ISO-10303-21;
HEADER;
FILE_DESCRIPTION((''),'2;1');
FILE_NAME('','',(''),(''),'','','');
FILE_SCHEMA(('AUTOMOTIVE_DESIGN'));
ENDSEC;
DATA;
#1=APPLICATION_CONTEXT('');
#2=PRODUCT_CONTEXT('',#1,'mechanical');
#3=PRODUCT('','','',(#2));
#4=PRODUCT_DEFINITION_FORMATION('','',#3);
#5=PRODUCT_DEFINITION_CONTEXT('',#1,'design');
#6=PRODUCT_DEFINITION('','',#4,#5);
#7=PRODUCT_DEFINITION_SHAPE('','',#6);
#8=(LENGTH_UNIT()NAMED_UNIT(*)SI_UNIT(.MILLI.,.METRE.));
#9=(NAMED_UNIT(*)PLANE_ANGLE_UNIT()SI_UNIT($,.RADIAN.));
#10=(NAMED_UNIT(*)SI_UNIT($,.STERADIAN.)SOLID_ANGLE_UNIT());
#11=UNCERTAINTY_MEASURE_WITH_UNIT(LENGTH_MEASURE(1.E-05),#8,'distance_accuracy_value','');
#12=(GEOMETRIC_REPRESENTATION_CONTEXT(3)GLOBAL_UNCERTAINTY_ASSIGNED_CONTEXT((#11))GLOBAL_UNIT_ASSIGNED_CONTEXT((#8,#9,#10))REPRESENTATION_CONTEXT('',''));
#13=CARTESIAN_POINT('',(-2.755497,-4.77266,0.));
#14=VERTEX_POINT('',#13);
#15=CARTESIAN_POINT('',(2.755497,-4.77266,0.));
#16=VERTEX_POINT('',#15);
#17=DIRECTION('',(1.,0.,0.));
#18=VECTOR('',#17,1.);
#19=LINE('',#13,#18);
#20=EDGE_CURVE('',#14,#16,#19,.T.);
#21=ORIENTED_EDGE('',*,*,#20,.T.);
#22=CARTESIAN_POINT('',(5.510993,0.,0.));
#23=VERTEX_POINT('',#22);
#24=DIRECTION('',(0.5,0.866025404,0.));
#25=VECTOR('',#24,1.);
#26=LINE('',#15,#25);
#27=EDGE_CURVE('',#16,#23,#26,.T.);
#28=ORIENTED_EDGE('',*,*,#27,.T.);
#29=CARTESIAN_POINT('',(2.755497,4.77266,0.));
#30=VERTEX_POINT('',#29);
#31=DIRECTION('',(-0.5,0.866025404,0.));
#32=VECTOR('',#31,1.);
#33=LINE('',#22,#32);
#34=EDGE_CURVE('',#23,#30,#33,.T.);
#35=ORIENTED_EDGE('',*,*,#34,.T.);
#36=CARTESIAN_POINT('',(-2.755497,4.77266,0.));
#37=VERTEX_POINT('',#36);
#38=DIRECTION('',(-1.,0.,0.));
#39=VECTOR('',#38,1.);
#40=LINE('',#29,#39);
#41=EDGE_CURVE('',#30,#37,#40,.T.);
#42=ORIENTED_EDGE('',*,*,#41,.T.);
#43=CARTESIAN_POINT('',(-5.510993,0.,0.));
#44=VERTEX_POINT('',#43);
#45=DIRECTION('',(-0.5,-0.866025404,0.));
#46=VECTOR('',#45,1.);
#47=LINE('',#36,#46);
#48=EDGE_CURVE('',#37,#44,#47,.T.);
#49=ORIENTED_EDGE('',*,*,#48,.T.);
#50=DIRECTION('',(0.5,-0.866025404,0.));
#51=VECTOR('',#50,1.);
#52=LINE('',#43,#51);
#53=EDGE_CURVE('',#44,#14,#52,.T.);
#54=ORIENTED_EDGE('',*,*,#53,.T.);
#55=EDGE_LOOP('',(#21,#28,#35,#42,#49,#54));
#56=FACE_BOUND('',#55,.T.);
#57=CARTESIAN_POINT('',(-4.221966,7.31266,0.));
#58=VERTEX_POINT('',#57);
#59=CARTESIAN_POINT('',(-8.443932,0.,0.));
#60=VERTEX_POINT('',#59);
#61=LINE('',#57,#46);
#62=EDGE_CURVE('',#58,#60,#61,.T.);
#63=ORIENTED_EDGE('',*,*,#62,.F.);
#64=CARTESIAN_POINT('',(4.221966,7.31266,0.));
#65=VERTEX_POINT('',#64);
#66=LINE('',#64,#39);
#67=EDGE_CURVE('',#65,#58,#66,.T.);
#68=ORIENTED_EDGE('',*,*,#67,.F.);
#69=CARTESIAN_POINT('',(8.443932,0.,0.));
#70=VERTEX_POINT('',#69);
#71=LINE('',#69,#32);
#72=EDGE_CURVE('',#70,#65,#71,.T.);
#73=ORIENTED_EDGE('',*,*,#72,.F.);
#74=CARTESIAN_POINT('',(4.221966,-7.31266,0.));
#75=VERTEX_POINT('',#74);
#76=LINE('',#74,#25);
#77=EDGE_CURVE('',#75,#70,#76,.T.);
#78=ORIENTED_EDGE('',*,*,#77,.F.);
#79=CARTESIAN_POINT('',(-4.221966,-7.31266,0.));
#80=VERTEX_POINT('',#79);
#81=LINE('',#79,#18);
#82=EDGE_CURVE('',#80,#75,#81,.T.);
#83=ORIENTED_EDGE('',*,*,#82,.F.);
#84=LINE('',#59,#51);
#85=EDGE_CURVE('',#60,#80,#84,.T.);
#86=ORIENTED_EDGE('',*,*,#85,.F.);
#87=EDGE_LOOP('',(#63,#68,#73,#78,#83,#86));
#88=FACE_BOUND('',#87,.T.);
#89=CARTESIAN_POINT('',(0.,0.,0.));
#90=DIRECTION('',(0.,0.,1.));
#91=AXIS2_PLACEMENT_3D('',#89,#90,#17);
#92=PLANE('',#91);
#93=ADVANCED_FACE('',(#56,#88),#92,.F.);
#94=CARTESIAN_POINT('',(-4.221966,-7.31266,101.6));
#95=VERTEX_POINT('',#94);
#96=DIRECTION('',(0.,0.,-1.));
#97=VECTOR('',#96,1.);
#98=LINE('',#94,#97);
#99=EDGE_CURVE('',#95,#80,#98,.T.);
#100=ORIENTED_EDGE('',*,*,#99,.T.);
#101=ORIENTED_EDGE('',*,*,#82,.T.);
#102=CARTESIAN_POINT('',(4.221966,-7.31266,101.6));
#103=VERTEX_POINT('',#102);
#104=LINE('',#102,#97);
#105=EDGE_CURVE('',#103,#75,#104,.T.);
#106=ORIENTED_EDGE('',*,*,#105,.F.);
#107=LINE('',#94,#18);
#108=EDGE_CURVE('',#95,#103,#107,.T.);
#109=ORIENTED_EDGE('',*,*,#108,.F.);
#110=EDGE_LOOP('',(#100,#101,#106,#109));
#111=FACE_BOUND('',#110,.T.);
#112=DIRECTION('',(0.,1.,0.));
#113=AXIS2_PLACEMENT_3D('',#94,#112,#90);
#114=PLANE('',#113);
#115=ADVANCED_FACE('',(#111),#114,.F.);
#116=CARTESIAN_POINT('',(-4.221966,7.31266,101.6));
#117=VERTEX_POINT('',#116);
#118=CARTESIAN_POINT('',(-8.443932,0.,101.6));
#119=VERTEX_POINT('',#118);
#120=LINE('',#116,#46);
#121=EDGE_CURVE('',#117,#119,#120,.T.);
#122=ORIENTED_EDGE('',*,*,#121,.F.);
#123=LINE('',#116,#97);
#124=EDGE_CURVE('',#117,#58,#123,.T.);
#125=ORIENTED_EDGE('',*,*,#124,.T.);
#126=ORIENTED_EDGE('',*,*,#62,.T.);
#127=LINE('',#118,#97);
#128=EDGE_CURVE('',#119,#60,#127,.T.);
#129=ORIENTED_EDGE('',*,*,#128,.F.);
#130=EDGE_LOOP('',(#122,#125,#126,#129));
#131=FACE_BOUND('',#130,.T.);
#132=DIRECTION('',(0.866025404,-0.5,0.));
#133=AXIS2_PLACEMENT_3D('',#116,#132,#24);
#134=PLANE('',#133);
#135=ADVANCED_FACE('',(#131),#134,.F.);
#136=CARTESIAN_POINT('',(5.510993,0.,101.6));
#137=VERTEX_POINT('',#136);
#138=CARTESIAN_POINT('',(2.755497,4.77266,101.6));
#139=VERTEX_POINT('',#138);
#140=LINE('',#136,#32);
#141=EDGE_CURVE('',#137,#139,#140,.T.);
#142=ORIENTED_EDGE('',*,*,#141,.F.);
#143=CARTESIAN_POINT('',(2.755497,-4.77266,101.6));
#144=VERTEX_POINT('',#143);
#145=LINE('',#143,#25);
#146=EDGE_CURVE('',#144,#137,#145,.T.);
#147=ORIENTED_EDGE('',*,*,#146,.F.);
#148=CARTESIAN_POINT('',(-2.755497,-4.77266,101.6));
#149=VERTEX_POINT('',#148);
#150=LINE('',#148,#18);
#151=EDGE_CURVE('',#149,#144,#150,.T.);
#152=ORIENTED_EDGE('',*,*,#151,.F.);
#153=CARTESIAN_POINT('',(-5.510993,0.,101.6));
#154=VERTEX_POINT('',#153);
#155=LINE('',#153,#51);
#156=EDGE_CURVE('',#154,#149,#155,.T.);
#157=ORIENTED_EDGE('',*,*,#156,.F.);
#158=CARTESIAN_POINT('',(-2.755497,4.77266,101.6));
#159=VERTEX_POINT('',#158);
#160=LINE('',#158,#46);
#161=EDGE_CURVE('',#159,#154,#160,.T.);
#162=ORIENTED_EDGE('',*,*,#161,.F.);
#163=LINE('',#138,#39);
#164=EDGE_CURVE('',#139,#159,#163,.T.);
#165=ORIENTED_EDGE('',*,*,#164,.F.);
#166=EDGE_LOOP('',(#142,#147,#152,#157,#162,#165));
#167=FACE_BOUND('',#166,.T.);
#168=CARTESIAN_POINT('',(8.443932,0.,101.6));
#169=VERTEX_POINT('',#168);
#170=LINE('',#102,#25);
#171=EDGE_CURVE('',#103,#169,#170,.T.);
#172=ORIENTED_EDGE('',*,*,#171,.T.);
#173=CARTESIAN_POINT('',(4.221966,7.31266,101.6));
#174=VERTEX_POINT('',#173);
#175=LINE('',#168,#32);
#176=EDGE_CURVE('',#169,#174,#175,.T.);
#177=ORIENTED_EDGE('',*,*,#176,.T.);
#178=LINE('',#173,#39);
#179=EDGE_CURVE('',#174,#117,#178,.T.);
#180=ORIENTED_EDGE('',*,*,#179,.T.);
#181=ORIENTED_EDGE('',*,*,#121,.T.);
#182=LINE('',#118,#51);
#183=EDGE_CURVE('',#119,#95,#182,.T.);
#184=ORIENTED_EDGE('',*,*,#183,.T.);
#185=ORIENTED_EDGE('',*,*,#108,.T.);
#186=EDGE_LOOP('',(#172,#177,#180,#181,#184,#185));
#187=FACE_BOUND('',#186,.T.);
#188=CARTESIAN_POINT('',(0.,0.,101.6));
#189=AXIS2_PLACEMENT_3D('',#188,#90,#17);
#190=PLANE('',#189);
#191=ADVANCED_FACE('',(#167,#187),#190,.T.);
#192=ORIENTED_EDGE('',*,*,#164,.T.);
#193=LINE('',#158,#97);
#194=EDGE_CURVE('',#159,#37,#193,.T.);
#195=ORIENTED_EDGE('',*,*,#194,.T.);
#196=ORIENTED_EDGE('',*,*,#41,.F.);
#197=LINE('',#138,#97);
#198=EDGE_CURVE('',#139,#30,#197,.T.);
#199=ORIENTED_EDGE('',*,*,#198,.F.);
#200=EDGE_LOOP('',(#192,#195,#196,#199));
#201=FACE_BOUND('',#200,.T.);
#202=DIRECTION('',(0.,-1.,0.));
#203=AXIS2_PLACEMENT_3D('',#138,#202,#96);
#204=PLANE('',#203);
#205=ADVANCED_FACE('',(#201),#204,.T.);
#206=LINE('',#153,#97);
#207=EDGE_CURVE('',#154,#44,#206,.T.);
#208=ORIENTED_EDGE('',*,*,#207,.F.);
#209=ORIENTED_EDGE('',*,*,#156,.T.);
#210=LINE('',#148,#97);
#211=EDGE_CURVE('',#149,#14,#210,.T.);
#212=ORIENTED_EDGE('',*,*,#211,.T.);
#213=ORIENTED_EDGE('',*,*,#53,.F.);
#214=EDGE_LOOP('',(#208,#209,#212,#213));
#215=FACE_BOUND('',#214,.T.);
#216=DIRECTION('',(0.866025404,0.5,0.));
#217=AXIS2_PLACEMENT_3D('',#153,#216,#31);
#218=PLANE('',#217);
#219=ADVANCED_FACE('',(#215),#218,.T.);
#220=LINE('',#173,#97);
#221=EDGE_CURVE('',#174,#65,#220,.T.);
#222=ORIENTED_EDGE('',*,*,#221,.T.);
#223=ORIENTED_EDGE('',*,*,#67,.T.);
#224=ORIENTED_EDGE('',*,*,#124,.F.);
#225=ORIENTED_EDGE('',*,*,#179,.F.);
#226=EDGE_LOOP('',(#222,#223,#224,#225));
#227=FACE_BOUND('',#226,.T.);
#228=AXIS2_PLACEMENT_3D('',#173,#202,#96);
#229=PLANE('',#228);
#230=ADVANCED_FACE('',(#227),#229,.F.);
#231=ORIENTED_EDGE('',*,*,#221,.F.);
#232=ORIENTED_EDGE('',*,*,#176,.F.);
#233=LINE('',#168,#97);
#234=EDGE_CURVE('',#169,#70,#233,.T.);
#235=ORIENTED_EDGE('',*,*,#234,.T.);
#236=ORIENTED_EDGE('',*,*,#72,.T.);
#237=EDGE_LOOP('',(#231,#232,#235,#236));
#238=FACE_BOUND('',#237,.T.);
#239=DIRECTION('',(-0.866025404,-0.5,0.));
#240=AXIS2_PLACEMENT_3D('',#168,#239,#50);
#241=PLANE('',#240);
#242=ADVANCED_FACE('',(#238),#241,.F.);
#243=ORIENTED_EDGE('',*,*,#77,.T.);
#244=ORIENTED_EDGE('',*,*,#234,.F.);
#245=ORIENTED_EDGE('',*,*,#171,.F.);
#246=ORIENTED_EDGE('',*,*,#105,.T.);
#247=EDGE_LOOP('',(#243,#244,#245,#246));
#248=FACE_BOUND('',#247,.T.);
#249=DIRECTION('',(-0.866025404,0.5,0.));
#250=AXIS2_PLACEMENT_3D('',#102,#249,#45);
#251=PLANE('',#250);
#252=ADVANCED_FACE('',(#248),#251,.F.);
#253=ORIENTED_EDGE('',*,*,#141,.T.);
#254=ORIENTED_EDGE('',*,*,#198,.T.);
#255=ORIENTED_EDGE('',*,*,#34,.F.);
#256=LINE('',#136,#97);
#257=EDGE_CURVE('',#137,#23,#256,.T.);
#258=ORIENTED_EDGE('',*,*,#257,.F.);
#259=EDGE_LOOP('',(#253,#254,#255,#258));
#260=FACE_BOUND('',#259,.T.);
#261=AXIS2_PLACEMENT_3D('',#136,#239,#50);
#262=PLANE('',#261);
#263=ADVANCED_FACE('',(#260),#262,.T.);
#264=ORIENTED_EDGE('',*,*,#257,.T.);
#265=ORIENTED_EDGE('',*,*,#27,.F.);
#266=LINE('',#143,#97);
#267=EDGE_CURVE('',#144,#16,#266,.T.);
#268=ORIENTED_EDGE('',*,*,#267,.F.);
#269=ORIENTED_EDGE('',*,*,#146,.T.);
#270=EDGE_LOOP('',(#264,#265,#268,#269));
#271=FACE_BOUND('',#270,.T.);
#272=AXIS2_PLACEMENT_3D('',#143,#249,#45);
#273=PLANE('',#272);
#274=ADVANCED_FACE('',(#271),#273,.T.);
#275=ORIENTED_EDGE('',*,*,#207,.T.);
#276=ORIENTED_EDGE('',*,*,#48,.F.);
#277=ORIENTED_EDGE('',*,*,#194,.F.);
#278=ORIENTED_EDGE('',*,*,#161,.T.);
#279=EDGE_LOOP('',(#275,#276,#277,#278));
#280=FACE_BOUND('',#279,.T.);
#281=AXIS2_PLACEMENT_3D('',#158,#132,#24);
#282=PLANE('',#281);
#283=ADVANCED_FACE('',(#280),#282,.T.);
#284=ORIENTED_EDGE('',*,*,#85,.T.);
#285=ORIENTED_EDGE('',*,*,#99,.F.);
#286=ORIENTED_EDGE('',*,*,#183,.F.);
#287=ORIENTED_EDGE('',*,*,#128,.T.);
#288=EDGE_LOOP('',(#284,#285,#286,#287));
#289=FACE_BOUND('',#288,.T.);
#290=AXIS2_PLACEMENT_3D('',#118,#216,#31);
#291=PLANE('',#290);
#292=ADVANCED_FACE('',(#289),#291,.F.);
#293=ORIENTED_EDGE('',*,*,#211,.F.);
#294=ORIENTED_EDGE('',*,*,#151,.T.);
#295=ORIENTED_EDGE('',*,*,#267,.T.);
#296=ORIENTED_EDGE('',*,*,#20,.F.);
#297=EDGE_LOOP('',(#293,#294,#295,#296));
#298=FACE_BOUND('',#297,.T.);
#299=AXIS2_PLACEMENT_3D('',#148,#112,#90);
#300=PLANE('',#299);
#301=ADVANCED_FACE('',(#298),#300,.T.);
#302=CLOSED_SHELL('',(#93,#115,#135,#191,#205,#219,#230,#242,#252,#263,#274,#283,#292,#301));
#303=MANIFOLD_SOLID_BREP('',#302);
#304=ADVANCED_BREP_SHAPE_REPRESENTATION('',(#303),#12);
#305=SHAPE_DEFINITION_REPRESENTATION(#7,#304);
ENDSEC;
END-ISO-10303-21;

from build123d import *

# Parameters (mm, degrees)
BOSS_EXTRUDE1_DEPTH = 101.6


with BuildPart() as part:
    # Sketch1 → Boss-Extrude1 (new body)
    with BuildSketch(Plane.XY):
        Polygon((-8.443932439, 0), (-4.221966219, -7.31266), (4.221966219, -7.31266), (8.443932439, 0), (4.221966219, 7.31266), (-4.221966219, 7.31266), align=None)
        Polygon((-5.510993072, 0), (-2.755496536, -4.77266), (2.755496536, -4.77266), (5.510993072, 0), (2.755496536, 4.77266), (-2.755496536, 4.77266), align=None, mode=Mode.SUBTRACT)
    extrude(amount=BOSS_EXTRUDE1_DEPTH)


solid = part.part
